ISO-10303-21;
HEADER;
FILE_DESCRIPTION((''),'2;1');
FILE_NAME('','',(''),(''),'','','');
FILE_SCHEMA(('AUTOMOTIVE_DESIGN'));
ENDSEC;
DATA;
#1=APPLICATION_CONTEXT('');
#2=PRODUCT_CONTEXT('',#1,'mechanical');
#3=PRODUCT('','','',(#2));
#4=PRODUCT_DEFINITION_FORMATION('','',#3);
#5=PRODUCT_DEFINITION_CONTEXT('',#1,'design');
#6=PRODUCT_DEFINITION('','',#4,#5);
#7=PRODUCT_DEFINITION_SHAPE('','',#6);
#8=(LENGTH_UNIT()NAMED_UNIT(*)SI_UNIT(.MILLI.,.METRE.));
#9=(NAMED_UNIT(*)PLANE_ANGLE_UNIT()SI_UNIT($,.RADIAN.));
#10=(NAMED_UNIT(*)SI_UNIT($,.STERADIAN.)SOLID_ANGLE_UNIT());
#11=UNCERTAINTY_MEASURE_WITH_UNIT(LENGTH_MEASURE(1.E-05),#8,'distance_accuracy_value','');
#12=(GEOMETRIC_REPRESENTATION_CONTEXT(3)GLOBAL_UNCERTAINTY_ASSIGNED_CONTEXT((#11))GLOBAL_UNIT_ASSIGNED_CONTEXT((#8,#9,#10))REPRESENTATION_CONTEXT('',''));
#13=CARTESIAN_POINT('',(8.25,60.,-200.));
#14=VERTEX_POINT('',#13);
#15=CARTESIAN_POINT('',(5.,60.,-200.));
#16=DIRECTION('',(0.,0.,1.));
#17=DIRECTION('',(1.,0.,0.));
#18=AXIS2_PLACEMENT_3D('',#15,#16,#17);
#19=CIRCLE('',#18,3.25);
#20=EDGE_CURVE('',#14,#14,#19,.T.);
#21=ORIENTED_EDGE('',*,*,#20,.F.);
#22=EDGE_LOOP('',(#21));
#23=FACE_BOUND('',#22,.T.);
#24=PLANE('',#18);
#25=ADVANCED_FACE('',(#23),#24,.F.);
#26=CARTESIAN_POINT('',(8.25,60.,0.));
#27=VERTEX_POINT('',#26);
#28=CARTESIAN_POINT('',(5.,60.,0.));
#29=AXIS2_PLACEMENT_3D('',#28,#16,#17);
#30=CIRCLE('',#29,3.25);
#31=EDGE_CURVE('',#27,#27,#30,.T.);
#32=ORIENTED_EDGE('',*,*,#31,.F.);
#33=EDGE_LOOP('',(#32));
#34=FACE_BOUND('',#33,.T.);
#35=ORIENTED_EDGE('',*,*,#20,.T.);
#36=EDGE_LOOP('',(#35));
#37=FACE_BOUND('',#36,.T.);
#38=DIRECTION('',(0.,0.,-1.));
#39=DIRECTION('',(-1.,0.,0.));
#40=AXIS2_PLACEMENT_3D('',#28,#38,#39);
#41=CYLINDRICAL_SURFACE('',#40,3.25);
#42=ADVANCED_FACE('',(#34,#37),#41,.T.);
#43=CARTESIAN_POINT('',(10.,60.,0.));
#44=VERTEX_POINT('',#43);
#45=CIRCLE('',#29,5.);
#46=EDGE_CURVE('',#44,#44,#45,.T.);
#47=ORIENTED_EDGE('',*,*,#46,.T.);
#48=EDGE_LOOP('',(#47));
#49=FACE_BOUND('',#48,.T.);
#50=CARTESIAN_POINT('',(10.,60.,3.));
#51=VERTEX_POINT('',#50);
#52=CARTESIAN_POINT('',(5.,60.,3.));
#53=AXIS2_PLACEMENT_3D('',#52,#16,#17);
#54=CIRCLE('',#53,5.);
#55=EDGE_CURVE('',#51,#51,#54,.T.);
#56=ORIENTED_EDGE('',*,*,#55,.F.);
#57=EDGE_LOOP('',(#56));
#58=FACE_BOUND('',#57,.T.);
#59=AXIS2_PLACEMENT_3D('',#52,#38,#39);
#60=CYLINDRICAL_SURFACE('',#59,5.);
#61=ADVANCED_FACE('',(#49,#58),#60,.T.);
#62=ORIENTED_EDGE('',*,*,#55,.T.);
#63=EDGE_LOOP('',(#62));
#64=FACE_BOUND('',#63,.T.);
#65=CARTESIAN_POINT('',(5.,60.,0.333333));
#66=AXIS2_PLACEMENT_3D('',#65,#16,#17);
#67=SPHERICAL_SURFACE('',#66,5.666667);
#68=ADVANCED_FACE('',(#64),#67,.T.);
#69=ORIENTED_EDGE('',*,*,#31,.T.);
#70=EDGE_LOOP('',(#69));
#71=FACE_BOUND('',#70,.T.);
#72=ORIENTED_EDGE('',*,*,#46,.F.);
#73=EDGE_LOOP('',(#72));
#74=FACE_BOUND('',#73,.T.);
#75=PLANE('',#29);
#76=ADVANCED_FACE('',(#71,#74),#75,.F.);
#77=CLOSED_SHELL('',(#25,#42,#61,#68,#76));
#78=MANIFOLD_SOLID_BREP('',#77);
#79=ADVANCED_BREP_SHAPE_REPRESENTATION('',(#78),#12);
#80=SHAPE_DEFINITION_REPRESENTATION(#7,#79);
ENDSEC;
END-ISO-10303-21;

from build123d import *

# Parameters (mm, degrees)
SKETCH2_R           = 3.25
SKETCH8_R           = 5
BOSS_EXTRUDE1_DEPTH = 3
DOME1_FACE_RADIUS   = 5
DOME1_HEIGHT        = 3


with BuildPart() as part:
    # Sweep1: sweep along a path in Sketch7
    with BuildLine(Plane(origin=(0, 0, 0), x_dir=(0, 0, -1), z_dir=(1, 0, 0))) as sweep1_path:
        Line((0, 0), (200, 0))
    # Sketch2 → Sweep1 (sweep)
    with BuildSketch(Plane.XY):
        with Locations((5, 60)):
            Circle(SKETCH2_R)
    sweep(path=sweep1_path.line)

    # Sketch8 → Boss-Extrude1 (add)
    with BuildSketch(Plane.XY):
        with Locations((5, 60)):
            Circle(SKETCH8_R)
    extrude(amount=BOSS_EXTRUDE1_DEPTH)

    # Dome1: a dome of height H over a round flat face of radius A is a cap of a sphere of radius (A * A + H * H) / (2 * H)
    dome1_r = (DOME1_FACE_RADIUS * DOME1_FACE_RADIUS + DOME1_HEIGHT * DOME1_HEIGHT) / (2 * DOME1_HEIGHT)
    dome1_base = Plane((5, 60, 3), z_dir=(0, 0, 1))
    with Locations(dome1_base.offset(DOME1_HEIGHT - dome1_r)):
        dome1_ball = Sphere(dome1_r, mode=Mode.PRIVATE)
    add(split(dome1_ball, bisect_by=dome1_base, keep=Keep.TOP, mode=Mode.PRIVATE))


solid = part.part
